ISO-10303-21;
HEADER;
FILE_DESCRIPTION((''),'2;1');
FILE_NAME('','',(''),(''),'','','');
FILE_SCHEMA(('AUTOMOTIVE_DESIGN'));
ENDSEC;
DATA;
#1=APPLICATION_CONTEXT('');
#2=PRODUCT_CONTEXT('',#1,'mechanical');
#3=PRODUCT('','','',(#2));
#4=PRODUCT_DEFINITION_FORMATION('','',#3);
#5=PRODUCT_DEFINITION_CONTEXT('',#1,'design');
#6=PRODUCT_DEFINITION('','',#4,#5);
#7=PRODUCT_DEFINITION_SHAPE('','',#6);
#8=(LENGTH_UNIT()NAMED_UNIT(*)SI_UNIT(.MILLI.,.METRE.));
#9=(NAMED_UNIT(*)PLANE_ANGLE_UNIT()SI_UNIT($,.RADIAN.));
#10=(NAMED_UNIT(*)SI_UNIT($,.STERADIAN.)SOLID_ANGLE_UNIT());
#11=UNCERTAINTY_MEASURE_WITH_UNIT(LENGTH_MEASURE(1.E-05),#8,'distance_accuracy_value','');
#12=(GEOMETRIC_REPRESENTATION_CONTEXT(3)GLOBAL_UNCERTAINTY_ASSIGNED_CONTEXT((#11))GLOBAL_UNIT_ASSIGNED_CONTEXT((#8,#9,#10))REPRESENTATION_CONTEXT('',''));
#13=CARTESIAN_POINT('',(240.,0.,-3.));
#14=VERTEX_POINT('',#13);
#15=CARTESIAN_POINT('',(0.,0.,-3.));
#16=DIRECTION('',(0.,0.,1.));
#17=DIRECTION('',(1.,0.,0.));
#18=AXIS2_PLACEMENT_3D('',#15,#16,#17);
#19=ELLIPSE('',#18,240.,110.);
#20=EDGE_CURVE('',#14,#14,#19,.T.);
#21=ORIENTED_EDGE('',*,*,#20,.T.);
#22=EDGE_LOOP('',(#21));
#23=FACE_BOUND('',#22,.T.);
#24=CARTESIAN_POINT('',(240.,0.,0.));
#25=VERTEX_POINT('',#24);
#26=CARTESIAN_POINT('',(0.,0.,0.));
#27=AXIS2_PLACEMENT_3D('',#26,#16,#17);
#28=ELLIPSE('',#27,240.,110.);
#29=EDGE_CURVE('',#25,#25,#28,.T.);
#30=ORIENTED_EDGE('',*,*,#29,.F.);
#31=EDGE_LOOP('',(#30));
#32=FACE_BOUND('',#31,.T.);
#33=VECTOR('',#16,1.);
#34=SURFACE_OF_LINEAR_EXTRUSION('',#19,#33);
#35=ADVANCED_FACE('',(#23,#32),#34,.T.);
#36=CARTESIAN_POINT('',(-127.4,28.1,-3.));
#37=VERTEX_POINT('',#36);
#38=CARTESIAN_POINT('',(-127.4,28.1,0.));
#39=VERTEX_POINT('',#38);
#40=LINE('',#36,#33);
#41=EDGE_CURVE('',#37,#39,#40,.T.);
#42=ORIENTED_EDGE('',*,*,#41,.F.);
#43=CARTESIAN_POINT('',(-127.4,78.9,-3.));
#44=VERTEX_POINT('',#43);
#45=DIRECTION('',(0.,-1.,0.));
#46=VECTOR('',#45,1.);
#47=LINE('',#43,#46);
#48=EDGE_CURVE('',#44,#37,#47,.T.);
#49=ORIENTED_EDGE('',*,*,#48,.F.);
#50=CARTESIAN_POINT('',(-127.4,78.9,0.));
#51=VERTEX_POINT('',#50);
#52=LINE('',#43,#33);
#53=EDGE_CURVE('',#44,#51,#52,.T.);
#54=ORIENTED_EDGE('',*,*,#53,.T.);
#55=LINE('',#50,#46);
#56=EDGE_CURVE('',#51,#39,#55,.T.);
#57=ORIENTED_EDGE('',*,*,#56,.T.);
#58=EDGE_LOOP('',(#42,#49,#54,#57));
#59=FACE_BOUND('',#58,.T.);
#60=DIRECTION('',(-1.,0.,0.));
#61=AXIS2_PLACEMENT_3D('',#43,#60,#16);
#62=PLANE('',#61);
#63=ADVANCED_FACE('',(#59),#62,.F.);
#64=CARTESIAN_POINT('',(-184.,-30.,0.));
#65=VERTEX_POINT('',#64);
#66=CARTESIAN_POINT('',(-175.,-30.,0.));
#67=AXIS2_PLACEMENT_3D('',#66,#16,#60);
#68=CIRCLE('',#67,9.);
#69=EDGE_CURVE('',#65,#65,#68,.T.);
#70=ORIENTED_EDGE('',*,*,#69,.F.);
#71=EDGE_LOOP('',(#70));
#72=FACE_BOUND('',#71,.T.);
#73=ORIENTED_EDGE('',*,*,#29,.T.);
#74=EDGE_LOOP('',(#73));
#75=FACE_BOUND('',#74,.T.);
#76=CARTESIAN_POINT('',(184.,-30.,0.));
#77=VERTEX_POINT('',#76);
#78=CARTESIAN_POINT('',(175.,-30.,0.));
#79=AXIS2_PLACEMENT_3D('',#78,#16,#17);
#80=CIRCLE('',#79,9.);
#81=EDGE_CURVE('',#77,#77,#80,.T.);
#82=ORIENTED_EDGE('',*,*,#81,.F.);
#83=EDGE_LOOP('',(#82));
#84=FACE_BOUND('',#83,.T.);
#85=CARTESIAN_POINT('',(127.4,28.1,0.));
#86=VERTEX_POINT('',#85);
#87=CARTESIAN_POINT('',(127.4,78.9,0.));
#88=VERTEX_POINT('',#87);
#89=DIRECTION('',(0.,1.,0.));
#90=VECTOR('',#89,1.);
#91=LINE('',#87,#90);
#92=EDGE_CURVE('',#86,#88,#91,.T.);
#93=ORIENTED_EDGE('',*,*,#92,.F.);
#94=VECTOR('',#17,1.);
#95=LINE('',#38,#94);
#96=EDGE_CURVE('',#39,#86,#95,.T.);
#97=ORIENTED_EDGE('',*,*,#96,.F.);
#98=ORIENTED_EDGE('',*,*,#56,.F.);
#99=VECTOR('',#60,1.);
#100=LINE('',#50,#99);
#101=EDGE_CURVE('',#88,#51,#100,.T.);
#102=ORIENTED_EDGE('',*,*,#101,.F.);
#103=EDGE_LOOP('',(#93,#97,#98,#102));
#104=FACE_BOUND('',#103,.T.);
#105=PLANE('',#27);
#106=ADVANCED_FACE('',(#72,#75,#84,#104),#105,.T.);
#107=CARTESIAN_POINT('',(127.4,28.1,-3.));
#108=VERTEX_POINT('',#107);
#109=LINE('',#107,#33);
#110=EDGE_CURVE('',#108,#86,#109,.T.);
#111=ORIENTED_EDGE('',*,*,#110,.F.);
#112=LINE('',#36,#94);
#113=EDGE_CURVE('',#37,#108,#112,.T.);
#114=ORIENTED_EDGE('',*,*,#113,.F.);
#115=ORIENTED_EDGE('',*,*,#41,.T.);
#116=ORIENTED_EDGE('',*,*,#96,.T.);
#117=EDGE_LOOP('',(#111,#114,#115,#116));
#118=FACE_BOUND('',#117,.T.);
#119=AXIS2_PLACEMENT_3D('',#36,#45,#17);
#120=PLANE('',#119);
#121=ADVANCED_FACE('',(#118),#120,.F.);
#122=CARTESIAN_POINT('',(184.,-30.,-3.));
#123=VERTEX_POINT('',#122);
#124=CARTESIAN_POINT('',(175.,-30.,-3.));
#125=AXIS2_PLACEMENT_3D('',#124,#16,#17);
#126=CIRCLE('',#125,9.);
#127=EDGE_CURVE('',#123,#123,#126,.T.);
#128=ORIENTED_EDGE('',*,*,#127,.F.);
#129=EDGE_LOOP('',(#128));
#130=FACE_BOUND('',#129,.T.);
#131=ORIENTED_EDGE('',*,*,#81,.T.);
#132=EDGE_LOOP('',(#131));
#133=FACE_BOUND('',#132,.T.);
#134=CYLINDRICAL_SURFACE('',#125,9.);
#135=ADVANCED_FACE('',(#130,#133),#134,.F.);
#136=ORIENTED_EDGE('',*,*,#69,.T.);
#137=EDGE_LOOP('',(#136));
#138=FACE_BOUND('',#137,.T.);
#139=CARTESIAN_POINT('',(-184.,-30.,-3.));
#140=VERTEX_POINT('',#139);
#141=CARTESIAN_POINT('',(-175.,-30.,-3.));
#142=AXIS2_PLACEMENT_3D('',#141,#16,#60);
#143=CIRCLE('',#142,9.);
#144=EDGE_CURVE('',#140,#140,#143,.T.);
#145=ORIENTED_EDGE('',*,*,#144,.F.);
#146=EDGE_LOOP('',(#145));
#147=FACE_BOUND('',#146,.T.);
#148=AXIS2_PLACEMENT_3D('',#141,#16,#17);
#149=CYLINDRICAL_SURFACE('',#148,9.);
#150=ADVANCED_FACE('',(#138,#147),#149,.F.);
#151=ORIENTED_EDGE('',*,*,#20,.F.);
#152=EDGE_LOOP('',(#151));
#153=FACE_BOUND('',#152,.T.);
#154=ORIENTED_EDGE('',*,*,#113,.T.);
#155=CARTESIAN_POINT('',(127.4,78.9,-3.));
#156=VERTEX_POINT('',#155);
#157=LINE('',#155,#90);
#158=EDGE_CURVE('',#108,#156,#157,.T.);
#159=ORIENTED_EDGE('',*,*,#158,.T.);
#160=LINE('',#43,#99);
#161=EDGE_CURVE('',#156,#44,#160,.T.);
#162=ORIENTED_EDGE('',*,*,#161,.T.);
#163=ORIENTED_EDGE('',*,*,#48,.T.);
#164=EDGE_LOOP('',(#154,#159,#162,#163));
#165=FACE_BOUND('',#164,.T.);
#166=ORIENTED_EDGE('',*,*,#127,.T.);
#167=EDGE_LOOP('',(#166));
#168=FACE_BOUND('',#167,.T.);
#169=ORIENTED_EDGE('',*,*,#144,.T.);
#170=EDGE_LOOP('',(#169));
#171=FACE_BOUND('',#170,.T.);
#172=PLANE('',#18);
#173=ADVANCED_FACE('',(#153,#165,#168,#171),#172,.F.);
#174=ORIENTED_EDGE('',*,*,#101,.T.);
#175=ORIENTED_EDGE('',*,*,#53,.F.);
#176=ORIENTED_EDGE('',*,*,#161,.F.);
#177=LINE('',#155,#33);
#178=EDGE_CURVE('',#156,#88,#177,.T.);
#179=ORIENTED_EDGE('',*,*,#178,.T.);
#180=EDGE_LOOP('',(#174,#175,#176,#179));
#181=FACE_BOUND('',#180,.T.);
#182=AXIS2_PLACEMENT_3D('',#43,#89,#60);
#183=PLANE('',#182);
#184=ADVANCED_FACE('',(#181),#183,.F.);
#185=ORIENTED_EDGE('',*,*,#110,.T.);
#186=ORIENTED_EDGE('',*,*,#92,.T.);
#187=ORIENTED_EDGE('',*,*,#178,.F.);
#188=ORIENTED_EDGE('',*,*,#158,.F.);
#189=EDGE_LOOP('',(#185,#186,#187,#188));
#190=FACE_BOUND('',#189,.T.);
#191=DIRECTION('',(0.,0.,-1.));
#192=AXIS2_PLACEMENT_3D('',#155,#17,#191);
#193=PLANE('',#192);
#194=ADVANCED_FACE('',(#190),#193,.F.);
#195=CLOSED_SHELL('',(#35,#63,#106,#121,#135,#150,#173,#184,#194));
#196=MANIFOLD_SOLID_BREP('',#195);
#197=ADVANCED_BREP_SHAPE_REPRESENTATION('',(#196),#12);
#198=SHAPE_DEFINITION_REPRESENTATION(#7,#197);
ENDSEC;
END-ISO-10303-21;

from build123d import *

# Parameters (mm, degrees)
SKETCH1_RX          = 240
SKETCH1_RY          = 110
BOSS_EXTRUDE1_DEPTH = 3
SKETCH10_W          = 254.8
SKETCH10_H          = 50.8
CUT_EXTRUDE5_DEPTH  = 4
SKETCH12_R          = 9
CUT_EXTRUDE8_DEPTH  = 4


with BuildPart() as part:
    # Sketch1 → Boss-Extrude1 (new body)
    with BuildSketch(Plane.XY):
        with Locations((0, 0)):
            Ellipse(SKETCH1_RX, SKETCH1_RY)
    extrude(amount=-BOSS_EXTRUDE1_DEPTH)

    # Sketch10 → Cut-Extrude5 (cut, through all)
    with BuildSketch(Plane.XY):
        with Locations((0, 53.5)):
            Rectangle(SKETCH10_W, SKETCH10_H)
    extrude(amount=-CUT_EXTRUDE5_DEPTH, mode=Mode.SUBTRACT)

    # Sketch12 → Cut-Extrude8 (cut, through all)
    with BuildSketch(Plane.XY):
        with Locations((175, -30)):
            Circle(SKETCH12_R)
        with Locations((-175, -30)):
            Circle(SKETCH12_R)
    extrude(amount=-CUT_EXTRUDE8_DEPTH, mode=Mode.SUBTRACT)


solid = part.part
